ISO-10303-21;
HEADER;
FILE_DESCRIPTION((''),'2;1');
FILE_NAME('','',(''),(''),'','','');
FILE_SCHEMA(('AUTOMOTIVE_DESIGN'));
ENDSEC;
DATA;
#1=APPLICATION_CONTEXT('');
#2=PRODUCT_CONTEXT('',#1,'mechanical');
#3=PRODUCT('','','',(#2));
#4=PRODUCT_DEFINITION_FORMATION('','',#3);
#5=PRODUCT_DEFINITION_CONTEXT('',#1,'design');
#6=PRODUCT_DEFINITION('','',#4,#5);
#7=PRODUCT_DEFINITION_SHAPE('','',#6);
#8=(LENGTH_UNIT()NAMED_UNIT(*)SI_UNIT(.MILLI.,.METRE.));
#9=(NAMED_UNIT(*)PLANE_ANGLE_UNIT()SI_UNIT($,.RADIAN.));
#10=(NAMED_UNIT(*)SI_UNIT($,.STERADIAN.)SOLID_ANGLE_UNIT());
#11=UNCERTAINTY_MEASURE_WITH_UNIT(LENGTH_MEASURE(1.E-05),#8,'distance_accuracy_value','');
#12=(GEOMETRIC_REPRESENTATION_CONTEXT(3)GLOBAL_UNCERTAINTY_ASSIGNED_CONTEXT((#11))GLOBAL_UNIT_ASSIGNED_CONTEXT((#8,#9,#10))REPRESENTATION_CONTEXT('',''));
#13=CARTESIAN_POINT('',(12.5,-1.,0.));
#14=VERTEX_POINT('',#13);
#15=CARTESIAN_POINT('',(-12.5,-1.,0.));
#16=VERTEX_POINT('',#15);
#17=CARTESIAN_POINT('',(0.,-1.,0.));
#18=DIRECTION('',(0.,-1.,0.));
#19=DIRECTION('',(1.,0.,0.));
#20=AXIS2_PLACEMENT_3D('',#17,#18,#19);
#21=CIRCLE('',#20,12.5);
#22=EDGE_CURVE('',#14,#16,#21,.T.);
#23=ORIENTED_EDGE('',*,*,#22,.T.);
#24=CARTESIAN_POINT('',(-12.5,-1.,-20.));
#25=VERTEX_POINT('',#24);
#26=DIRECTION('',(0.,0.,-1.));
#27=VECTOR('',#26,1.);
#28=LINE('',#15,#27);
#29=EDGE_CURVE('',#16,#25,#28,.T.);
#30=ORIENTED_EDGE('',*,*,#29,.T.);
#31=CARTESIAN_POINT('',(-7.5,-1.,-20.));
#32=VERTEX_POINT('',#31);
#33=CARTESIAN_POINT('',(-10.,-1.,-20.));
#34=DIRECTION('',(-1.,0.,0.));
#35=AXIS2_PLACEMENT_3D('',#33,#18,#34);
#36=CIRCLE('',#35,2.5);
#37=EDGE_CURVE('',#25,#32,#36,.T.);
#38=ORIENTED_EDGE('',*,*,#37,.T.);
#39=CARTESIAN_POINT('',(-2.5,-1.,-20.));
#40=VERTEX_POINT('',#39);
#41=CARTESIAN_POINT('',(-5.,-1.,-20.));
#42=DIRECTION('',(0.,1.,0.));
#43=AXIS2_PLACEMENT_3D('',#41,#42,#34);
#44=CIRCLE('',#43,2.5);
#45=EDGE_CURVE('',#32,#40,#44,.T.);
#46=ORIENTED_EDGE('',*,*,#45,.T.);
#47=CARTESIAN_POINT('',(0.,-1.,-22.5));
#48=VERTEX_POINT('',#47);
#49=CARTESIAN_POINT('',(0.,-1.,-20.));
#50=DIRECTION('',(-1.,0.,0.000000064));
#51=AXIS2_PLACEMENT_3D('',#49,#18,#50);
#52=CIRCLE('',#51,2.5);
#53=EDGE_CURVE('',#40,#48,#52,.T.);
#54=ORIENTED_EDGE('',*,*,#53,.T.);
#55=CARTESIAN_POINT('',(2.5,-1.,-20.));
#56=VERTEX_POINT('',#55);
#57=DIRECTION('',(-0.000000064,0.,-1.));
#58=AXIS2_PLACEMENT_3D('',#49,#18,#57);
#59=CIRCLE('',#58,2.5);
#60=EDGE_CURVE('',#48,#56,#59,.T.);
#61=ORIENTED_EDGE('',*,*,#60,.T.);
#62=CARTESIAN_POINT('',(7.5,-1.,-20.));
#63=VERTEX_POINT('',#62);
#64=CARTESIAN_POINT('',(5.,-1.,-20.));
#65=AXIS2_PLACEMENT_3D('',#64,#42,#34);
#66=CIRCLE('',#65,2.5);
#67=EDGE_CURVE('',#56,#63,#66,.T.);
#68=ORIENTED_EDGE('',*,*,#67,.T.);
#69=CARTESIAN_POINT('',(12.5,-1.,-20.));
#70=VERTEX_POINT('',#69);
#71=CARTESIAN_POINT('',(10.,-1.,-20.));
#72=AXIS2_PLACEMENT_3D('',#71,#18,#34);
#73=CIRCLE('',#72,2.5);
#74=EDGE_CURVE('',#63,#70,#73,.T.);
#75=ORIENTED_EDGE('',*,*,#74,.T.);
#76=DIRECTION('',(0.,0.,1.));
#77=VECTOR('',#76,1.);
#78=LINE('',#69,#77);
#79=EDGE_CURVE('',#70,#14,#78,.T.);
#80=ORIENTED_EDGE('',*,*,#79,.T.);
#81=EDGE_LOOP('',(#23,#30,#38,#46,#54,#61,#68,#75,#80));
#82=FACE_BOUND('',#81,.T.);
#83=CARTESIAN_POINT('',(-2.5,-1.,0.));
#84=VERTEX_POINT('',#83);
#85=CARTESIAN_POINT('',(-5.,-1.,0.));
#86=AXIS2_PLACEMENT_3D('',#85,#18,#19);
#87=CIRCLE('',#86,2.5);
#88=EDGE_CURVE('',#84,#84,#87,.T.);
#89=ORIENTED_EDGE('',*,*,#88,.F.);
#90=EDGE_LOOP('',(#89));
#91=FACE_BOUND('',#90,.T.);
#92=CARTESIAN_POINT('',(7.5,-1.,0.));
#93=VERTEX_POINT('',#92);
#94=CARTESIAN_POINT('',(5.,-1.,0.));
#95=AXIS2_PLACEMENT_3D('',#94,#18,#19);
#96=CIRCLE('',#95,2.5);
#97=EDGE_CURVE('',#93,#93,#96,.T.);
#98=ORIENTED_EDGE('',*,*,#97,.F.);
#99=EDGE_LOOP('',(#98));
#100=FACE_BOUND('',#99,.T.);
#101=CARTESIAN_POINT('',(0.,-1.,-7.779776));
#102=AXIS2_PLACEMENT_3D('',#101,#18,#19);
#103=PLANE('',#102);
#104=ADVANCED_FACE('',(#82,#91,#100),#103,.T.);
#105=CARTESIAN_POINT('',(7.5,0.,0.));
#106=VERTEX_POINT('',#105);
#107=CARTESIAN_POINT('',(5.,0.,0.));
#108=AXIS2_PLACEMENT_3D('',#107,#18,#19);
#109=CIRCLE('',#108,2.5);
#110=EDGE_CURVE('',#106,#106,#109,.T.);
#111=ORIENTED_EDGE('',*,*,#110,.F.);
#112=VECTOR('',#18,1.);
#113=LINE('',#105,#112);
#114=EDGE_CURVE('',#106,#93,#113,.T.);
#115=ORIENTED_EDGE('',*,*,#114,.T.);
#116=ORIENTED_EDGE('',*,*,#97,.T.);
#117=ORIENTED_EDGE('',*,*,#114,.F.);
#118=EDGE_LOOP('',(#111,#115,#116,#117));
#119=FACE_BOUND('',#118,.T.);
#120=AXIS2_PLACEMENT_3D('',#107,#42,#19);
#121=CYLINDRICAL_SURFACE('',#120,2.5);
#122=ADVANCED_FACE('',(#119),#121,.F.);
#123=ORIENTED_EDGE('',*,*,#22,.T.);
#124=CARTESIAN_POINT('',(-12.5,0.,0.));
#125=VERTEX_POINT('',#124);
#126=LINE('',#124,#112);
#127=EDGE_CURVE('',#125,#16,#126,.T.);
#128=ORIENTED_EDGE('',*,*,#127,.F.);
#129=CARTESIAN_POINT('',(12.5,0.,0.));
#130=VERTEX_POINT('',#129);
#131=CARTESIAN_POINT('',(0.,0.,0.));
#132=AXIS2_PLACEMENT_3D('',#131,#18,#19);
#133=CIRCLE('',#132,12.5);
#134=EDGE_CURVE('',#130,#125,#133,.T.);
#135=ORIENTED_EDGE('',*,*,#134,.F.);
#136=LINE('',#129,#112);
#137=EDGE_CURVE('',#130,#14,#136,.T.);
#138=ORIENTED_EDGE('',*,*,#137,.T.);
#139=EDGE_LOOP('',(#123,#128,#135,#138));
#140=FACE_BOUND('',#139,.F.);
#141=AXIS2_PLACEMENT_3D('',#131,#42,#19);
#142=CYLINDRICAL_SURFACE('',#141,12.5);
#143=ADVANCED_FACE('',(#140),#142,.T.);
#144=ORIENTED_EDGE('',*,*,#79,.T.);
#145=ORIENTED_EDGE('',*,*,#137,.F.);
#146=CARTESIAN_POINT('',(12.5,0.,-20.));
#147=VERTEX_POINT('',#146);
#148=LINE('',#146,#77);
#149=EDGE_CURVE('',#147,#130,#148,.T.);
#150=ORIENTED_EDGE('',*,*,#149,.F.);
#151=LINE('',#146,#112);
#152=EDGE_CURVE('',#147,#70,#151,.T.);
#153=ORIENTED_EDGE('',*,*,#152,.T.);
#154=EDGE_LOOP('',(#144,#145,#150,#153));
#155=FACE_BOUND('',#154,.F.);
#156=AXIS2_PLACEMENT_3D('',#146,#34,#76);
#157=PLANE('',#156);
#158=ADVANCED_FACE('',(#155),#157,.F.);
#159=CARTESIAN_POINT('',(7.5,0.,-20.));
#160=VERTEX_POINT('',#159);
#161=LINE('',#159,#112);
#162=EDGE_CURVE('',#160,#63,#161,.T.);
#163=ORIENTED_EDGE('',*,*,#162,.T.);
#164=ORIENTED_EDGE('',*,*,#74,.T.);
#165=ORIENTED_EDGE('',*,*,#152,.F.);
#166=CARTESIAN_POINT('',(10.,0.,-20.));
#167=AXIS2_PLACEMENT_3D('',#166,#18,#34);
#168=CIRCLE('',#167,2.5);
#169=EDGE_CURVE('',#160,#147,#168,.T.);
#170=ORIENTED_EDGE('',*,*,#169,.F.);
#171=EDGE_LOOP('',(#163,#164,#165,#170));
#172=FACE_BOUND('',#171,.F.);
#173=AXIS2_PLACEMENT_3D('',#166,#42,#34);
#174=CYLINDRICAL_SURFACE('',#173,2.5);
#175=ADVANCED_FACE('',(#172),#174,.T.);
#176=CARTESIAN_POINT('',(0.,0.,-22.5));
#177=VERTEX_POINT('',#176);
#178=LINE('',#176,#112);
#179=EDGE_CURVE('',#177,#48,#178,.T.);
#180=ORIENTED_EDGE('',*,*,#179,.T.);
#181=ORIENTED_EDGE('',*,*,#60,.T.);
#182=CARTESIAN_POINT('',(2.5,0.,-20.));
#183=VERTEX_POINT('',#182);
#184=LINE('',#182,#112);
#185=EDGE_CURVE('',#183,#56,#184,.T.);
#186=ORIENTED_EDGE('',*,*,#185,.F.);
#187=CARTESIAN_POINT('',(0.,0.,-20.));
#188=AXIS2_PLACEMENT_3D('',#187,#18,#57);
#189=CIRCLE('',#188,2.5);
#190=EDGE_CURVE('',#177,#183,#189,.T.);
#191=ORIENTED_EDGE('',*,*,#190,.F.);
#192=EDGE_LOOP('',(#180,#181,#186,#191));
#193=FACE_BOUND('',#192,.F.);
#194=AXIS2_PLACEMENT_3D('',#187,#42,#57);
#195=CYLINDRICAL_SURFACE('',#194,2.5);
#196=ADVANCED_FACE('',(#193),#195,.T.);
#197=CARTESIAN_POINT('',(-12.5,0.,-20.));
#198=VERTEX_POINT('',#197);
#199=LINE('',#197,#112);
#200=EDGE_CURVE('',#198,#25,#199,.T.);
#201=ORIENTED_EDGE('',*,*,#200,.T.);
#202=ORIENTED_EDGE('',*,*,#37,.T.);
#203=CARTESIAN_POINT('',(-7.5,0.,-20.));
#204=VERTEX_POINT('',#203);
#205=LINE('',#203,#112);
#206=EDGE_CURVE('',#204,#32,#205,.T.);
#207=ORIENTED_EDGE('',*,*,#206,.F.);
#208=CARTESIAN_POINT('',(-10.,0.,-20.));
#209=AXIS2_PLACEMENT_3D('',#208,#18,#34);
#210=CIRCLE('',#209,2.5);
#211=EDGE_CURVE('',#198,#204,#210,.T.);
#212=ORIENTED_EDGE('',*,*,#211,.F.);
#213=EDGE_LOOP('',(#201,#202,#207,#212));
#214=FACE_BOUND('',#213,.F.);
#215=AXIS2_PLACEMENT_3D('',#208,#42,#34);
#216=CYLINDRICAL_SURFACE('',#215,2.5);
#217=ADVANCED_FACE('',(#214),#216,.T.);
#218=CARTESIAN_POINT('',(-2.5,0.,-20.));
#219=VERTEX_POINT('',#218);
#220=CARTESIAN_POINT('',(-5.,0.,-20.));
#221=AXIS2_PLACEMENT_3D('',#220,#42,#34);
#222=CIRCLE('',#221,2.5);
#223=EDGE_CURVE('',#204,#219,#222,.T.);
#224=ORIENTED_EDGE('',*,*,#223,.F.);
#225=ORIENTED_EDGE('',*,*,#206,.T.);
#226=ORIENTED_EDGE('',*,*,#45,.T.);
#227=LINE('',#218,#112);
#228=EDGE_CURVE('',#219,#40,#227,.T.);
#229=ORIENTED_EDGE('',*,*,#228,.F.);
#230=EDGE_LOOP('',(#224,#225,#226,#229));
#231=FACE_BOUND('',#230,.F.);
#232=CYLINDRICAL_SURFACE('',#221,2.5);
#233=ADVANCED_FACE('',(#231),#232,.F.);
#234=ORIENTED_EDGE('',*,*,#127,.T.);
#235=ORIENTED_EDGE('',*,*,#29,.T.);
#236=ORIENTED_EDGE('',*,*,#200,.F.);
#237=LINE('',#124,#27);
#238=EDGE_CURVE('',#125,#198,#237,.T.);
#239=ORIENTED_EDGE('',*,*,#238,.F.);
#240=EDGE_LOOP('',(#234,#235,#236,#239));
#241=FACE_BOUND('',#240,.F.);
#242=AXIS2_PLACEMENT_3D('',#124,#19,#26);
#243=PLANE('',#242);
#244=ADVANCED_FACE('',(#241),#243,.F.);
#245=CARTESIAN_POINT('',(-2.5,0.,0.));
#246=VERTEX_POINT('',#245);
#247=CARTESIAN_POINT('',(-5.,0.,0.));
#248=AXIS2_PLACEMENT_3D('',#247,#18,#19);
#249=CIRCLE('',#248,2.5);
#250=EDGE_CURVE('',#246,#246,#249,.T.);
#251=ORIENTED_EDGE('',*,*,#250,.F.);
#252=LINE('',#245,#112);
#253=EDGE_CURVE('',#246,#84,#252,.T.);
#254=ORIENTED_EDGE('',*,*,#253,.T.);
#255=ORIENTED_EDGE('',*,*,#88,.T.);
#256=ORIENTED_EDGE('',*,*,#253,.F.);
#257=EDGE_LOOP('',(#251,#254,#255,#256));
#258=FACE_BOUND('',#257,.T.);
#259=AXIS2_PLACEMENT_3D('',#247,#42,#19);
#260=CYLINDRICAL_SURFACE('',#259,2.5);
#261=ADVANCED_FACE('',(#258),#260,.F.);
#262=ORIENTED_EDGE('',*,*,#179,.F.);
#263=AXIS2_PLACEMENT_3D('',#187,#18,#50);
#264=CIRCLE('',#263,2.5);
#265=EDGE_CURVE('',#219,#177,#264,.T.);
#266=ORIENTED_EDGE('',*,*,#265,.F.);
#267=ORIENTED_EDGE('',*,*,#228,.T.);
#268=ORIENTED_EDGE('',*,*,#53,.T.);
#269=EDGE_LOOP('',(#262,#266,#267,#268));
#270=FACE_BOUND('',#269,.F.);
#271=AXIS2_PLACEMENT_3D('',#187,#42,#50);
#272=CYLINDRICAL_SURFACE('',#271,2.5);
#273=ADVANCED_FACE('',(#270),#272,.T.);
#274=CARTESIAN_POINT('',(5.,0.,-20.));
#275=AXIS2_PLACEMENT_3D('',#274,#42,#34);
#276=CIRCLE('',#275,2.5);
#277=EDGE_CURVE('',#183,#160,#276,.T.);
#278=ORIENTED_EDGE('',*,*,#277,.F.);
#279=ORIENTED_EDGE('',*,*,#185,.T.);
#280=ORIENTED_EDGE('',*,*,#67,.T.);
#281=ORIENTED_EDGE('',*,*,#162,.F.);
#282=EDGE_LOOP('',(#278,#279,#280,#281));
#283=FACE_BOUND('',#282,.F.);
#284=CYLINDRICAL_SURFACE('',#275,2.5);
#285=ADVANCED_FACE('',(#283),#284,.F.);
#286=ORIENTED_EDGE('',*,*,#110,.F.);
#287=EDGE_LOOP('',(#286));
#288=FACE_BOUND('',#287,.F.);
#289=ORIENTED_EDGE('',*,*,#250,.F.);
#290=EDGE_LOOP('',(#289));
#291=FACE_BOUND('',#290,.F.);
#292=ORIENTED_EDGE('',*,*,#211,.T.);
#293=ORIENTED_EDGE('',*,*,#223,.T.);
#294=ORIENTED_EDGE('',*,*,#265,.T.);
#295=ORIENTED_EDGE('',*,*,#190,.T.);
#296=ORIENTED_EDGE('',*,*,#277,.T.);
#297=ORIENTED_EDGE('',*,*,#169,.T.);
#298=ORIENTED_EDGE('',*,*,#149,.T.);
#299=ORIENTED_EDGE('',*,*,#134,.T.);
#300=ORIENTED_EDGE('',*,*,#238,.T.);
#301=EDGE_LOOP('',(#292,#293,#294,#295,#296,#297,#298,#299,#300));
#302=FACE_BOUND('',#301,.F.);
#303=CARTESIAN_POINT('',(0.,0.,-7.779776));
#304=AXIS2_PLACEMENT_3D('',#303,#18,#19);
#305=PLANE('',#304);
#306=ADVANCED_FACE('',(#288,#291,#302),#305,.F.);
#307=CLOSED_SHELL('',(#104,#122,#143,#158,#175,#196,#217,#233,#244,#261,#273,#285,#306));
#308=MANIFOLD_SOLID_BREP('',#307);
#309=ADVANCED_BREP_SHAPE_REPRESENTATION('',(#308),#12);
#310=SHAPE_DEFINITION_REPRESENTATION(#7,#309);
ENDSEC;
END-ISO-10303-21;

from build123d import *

# Parameters (mm, degrees)
F0_R     = 2.5
F1_DEPTH = 1


with BuildPart() as f1:
    # F0 (on Front) → F1 (new body)
    with BuildSketch(Plane.XZ):
        with BuildLine():
            ThreePointArc((12.5, 0), (0, 12.5), (-12.5, 0))
            Line((-12.5, 0), (-12.5, -20))
            ThreePointArc((-12.5, -20), (-10, -22.5), (-7.5, -20))
            ThreePointArc((-7.5, -20), (-5, -17.5), (-2.5, -20))
            ThreePointArc((-2.5, -20), (-1.767767, -21.767767), (0, -22.5))
            ThreePointArc((0, -22.5), (1.767767, -21.767767), (2.5, -20))
            ThreePointArc((2.5, -20), (5, -17.5), (7.5, -20))
            ThreePointArc((7.5, -20), (10, -22.5), (12.5, -20))
            Line((12.5, -20), (12.5, 0))
        make_face()
        with Locations((-5, 0)):
            Circle(F0_R, mode=Mode.SUBTRACT)
        with Locations((5, 0)):
            Circle(F0_R, mode=Mode.SUBTRACT)
    extrude(amount=F1_DEPTH)


solid = f1.part
